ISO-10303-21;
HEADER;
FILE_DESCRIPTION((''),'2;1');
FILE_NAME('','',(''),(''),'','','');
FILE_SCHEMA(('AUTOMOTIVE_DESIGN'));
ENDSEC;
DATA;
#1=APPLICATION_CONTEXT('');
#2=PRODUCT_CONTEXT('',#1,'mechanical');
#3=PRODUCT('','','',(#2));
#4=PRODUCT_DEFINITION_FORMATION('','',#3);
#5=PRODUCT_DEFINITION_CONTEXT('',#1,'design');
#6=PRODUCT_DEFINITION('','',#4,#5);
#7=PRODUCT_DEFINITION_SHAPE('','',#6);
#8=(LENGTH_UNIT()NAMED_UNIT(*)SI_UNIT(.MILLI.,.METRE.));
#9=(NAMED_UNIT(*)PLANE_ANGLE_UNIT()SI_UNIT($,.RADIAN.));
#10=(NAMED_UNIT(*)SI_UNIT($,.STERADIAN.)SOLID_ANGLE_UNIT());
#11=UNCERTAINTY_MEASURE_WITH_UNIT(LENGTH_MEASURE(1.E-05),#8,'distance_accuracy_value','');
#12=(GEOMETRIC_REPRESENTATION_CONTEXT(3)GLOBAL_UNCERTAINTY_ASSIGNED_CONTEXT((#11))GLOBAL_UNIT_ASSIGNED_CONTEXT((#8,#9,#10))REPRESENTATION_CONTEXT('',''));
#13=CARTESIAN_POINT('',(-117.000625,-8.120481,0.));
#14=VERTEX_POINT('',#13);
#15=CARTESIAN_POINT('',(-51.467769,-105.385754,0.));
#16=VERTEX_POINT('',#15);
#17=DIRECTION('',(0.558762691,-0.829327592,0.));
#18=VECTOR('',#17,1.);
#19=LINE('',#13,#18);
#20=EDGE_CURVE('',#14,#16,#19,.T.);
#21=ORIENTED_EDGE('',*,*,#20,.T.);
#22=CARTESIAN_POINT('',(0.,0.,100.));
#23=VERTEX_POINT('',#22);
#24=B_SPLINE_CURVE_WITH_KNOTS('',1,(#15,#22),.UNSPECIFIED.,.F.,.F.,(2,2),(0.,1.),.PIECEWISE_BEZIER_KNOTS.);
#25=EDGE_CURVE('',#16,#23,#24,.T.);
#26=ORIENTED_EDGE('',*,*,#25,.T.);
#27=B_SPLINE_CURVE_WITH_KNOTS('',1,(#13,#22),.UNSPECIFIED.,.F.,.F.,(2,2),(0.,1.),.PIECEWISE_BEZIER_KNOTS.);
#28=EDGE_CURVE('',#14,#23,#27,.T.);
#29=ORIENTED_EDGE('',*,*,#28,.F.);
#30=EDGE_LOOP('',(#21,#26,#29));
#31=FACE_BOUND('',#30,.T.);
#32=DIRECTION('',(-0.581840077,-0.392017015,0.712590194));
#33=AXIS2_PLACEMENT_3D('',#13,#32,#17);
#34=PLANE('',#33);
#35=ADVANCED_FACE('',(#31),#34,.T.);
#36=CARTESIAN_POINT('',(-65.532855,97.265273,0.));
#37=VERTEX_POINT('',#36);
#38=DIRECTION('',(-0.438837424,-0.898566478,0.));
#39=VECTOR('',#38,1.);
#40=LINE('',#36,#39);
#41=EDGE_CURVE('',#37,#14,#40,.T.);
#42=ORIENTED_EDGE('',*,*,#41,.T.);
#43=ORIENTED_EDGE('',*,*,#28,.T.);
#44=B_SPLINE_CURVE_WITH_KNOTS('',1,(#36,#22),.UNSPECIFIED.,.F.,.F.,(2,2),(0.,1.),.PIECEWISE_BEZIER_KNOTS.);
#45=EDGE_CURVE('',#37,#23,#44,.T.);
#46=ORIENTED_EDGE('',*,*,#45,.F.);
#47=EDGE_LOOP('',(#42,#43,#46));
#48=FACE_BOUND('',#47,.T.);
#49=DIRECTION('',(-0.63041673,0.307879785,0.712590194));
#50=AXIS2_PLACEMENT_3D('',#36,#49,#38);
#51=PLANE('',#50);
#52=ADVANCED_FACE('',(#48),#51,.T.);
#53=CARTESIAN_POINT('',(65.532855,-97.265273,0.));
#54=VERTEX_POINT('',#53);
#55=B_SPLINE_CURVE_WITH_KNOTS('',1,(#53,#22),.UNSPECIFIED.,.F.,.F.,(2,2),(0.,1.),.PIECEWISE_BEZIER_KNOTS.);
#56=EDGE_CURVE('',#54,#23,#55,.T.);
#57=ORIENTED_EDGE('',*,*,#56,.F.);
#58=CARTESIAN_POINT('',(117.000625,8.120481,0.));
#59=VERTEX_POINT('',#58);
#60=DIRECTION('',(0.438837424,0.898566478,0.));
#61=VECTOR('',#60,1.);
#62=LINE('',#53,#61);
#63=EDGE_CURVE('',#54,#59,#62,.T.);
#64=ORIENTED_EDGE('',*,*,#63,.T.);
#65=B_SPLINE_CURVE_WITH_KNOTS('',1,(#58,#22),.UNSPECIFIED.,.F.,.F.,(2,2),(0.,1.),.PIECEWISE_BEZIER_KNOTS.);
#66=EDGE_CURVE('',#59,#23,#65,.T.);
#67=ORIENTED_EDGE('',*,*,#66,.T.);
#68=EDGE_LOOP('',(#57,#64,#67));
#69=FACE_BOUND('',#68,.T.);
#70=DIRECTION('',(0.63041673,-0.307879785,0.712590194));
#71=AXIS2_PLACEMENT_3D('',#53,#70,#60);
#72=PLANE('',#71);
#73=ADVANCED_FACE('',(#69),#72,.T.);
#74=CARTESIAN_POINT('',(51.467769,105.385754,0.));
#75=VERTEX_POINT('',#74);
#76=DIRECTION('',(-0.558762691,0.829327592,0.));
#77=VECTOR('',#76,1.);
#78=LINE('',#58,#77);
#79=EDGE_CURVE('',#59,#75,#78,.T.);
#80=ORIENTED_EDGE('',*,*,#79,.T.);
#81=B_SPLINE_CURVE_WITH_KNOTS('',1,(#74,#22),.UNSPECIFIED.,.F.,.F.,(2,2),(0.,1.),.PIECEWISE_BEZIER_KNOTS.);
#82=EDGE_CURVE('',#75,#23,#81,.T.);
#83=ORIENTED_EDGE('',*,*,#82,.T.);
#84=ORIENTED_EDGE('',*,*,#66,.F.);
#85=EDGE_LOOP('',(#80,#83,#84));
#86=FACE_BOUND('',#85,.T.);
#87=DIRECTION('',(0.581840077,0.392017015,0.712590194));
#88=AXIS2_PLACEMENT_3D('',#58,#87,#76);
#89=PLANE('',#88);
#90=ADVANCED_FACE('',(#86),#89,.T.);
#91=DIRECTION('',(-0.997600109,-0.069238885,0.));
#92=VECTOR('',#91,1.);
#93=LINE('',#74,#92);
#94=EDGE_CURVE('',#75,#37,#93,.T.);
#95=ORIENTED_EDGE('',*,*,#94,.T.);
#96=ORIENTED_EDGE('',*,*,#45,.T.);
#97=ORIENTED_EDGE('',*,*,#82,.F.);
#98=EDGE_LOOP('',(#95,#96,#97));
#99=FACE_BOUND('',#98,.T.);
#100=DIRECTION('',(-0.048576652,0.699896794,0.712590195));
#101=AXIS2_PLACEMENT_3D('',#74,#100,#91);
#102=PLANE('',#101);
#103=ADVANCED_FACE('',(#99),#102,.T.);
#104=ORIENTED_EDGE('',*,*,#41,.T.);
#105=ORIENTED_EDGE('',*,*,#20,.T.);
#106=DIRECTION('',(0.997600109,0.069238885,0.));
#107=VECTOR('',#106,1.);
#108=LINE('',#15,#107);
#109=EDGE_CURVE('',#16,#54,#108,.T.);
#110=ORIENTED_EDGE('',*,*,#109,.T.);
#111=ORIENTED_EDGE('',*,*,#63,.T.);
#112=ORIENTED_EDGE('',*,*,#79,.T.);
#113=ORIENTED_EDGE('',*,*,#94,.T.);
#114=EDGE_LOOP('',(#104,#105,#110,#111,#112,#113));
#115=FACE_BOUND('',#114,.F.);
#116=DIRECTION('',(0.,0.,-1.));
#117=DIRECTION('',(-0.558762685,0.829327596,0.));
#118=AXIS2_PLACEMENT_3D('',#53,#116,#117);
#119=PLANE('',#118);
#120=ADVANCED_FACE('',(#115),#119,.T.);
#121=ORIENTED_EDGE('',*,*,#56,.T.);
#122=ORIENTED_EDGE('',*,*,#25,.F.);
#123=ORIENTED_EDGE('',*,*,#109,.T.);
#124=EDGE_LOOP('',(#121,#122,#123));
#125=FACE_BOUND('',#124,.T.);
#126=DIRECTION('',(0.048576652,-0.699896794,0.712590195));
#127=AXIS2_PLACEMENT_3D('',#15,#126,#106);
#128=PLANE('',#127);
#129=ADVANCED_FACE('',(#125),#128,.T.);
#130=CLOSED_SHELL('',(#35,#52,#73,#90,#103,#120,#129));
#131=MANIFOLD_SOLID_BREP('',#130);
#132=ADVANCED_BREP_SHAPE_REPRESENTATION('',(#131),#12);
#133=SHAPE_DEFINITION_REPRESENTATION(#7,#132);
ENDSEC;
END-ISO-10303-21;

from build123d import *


with BuildPart() as f3:
    # F0 (on Top) → F3 section 0
    with BuildSketch(Plane.XY, mode=Mode.PRIVATE) as f3_s0:
        Polygon((65.532855, -97.265273), (117.000625, 8.120481), (51.467769, 105.385754), (-65.532855, 97.265273), (-117.000625, -8.120481), (-51.467769, -105.385754), align=None)
    loft([f3_s0.sketch, Vertex(0, 0, 100)])


solid = f3.part
